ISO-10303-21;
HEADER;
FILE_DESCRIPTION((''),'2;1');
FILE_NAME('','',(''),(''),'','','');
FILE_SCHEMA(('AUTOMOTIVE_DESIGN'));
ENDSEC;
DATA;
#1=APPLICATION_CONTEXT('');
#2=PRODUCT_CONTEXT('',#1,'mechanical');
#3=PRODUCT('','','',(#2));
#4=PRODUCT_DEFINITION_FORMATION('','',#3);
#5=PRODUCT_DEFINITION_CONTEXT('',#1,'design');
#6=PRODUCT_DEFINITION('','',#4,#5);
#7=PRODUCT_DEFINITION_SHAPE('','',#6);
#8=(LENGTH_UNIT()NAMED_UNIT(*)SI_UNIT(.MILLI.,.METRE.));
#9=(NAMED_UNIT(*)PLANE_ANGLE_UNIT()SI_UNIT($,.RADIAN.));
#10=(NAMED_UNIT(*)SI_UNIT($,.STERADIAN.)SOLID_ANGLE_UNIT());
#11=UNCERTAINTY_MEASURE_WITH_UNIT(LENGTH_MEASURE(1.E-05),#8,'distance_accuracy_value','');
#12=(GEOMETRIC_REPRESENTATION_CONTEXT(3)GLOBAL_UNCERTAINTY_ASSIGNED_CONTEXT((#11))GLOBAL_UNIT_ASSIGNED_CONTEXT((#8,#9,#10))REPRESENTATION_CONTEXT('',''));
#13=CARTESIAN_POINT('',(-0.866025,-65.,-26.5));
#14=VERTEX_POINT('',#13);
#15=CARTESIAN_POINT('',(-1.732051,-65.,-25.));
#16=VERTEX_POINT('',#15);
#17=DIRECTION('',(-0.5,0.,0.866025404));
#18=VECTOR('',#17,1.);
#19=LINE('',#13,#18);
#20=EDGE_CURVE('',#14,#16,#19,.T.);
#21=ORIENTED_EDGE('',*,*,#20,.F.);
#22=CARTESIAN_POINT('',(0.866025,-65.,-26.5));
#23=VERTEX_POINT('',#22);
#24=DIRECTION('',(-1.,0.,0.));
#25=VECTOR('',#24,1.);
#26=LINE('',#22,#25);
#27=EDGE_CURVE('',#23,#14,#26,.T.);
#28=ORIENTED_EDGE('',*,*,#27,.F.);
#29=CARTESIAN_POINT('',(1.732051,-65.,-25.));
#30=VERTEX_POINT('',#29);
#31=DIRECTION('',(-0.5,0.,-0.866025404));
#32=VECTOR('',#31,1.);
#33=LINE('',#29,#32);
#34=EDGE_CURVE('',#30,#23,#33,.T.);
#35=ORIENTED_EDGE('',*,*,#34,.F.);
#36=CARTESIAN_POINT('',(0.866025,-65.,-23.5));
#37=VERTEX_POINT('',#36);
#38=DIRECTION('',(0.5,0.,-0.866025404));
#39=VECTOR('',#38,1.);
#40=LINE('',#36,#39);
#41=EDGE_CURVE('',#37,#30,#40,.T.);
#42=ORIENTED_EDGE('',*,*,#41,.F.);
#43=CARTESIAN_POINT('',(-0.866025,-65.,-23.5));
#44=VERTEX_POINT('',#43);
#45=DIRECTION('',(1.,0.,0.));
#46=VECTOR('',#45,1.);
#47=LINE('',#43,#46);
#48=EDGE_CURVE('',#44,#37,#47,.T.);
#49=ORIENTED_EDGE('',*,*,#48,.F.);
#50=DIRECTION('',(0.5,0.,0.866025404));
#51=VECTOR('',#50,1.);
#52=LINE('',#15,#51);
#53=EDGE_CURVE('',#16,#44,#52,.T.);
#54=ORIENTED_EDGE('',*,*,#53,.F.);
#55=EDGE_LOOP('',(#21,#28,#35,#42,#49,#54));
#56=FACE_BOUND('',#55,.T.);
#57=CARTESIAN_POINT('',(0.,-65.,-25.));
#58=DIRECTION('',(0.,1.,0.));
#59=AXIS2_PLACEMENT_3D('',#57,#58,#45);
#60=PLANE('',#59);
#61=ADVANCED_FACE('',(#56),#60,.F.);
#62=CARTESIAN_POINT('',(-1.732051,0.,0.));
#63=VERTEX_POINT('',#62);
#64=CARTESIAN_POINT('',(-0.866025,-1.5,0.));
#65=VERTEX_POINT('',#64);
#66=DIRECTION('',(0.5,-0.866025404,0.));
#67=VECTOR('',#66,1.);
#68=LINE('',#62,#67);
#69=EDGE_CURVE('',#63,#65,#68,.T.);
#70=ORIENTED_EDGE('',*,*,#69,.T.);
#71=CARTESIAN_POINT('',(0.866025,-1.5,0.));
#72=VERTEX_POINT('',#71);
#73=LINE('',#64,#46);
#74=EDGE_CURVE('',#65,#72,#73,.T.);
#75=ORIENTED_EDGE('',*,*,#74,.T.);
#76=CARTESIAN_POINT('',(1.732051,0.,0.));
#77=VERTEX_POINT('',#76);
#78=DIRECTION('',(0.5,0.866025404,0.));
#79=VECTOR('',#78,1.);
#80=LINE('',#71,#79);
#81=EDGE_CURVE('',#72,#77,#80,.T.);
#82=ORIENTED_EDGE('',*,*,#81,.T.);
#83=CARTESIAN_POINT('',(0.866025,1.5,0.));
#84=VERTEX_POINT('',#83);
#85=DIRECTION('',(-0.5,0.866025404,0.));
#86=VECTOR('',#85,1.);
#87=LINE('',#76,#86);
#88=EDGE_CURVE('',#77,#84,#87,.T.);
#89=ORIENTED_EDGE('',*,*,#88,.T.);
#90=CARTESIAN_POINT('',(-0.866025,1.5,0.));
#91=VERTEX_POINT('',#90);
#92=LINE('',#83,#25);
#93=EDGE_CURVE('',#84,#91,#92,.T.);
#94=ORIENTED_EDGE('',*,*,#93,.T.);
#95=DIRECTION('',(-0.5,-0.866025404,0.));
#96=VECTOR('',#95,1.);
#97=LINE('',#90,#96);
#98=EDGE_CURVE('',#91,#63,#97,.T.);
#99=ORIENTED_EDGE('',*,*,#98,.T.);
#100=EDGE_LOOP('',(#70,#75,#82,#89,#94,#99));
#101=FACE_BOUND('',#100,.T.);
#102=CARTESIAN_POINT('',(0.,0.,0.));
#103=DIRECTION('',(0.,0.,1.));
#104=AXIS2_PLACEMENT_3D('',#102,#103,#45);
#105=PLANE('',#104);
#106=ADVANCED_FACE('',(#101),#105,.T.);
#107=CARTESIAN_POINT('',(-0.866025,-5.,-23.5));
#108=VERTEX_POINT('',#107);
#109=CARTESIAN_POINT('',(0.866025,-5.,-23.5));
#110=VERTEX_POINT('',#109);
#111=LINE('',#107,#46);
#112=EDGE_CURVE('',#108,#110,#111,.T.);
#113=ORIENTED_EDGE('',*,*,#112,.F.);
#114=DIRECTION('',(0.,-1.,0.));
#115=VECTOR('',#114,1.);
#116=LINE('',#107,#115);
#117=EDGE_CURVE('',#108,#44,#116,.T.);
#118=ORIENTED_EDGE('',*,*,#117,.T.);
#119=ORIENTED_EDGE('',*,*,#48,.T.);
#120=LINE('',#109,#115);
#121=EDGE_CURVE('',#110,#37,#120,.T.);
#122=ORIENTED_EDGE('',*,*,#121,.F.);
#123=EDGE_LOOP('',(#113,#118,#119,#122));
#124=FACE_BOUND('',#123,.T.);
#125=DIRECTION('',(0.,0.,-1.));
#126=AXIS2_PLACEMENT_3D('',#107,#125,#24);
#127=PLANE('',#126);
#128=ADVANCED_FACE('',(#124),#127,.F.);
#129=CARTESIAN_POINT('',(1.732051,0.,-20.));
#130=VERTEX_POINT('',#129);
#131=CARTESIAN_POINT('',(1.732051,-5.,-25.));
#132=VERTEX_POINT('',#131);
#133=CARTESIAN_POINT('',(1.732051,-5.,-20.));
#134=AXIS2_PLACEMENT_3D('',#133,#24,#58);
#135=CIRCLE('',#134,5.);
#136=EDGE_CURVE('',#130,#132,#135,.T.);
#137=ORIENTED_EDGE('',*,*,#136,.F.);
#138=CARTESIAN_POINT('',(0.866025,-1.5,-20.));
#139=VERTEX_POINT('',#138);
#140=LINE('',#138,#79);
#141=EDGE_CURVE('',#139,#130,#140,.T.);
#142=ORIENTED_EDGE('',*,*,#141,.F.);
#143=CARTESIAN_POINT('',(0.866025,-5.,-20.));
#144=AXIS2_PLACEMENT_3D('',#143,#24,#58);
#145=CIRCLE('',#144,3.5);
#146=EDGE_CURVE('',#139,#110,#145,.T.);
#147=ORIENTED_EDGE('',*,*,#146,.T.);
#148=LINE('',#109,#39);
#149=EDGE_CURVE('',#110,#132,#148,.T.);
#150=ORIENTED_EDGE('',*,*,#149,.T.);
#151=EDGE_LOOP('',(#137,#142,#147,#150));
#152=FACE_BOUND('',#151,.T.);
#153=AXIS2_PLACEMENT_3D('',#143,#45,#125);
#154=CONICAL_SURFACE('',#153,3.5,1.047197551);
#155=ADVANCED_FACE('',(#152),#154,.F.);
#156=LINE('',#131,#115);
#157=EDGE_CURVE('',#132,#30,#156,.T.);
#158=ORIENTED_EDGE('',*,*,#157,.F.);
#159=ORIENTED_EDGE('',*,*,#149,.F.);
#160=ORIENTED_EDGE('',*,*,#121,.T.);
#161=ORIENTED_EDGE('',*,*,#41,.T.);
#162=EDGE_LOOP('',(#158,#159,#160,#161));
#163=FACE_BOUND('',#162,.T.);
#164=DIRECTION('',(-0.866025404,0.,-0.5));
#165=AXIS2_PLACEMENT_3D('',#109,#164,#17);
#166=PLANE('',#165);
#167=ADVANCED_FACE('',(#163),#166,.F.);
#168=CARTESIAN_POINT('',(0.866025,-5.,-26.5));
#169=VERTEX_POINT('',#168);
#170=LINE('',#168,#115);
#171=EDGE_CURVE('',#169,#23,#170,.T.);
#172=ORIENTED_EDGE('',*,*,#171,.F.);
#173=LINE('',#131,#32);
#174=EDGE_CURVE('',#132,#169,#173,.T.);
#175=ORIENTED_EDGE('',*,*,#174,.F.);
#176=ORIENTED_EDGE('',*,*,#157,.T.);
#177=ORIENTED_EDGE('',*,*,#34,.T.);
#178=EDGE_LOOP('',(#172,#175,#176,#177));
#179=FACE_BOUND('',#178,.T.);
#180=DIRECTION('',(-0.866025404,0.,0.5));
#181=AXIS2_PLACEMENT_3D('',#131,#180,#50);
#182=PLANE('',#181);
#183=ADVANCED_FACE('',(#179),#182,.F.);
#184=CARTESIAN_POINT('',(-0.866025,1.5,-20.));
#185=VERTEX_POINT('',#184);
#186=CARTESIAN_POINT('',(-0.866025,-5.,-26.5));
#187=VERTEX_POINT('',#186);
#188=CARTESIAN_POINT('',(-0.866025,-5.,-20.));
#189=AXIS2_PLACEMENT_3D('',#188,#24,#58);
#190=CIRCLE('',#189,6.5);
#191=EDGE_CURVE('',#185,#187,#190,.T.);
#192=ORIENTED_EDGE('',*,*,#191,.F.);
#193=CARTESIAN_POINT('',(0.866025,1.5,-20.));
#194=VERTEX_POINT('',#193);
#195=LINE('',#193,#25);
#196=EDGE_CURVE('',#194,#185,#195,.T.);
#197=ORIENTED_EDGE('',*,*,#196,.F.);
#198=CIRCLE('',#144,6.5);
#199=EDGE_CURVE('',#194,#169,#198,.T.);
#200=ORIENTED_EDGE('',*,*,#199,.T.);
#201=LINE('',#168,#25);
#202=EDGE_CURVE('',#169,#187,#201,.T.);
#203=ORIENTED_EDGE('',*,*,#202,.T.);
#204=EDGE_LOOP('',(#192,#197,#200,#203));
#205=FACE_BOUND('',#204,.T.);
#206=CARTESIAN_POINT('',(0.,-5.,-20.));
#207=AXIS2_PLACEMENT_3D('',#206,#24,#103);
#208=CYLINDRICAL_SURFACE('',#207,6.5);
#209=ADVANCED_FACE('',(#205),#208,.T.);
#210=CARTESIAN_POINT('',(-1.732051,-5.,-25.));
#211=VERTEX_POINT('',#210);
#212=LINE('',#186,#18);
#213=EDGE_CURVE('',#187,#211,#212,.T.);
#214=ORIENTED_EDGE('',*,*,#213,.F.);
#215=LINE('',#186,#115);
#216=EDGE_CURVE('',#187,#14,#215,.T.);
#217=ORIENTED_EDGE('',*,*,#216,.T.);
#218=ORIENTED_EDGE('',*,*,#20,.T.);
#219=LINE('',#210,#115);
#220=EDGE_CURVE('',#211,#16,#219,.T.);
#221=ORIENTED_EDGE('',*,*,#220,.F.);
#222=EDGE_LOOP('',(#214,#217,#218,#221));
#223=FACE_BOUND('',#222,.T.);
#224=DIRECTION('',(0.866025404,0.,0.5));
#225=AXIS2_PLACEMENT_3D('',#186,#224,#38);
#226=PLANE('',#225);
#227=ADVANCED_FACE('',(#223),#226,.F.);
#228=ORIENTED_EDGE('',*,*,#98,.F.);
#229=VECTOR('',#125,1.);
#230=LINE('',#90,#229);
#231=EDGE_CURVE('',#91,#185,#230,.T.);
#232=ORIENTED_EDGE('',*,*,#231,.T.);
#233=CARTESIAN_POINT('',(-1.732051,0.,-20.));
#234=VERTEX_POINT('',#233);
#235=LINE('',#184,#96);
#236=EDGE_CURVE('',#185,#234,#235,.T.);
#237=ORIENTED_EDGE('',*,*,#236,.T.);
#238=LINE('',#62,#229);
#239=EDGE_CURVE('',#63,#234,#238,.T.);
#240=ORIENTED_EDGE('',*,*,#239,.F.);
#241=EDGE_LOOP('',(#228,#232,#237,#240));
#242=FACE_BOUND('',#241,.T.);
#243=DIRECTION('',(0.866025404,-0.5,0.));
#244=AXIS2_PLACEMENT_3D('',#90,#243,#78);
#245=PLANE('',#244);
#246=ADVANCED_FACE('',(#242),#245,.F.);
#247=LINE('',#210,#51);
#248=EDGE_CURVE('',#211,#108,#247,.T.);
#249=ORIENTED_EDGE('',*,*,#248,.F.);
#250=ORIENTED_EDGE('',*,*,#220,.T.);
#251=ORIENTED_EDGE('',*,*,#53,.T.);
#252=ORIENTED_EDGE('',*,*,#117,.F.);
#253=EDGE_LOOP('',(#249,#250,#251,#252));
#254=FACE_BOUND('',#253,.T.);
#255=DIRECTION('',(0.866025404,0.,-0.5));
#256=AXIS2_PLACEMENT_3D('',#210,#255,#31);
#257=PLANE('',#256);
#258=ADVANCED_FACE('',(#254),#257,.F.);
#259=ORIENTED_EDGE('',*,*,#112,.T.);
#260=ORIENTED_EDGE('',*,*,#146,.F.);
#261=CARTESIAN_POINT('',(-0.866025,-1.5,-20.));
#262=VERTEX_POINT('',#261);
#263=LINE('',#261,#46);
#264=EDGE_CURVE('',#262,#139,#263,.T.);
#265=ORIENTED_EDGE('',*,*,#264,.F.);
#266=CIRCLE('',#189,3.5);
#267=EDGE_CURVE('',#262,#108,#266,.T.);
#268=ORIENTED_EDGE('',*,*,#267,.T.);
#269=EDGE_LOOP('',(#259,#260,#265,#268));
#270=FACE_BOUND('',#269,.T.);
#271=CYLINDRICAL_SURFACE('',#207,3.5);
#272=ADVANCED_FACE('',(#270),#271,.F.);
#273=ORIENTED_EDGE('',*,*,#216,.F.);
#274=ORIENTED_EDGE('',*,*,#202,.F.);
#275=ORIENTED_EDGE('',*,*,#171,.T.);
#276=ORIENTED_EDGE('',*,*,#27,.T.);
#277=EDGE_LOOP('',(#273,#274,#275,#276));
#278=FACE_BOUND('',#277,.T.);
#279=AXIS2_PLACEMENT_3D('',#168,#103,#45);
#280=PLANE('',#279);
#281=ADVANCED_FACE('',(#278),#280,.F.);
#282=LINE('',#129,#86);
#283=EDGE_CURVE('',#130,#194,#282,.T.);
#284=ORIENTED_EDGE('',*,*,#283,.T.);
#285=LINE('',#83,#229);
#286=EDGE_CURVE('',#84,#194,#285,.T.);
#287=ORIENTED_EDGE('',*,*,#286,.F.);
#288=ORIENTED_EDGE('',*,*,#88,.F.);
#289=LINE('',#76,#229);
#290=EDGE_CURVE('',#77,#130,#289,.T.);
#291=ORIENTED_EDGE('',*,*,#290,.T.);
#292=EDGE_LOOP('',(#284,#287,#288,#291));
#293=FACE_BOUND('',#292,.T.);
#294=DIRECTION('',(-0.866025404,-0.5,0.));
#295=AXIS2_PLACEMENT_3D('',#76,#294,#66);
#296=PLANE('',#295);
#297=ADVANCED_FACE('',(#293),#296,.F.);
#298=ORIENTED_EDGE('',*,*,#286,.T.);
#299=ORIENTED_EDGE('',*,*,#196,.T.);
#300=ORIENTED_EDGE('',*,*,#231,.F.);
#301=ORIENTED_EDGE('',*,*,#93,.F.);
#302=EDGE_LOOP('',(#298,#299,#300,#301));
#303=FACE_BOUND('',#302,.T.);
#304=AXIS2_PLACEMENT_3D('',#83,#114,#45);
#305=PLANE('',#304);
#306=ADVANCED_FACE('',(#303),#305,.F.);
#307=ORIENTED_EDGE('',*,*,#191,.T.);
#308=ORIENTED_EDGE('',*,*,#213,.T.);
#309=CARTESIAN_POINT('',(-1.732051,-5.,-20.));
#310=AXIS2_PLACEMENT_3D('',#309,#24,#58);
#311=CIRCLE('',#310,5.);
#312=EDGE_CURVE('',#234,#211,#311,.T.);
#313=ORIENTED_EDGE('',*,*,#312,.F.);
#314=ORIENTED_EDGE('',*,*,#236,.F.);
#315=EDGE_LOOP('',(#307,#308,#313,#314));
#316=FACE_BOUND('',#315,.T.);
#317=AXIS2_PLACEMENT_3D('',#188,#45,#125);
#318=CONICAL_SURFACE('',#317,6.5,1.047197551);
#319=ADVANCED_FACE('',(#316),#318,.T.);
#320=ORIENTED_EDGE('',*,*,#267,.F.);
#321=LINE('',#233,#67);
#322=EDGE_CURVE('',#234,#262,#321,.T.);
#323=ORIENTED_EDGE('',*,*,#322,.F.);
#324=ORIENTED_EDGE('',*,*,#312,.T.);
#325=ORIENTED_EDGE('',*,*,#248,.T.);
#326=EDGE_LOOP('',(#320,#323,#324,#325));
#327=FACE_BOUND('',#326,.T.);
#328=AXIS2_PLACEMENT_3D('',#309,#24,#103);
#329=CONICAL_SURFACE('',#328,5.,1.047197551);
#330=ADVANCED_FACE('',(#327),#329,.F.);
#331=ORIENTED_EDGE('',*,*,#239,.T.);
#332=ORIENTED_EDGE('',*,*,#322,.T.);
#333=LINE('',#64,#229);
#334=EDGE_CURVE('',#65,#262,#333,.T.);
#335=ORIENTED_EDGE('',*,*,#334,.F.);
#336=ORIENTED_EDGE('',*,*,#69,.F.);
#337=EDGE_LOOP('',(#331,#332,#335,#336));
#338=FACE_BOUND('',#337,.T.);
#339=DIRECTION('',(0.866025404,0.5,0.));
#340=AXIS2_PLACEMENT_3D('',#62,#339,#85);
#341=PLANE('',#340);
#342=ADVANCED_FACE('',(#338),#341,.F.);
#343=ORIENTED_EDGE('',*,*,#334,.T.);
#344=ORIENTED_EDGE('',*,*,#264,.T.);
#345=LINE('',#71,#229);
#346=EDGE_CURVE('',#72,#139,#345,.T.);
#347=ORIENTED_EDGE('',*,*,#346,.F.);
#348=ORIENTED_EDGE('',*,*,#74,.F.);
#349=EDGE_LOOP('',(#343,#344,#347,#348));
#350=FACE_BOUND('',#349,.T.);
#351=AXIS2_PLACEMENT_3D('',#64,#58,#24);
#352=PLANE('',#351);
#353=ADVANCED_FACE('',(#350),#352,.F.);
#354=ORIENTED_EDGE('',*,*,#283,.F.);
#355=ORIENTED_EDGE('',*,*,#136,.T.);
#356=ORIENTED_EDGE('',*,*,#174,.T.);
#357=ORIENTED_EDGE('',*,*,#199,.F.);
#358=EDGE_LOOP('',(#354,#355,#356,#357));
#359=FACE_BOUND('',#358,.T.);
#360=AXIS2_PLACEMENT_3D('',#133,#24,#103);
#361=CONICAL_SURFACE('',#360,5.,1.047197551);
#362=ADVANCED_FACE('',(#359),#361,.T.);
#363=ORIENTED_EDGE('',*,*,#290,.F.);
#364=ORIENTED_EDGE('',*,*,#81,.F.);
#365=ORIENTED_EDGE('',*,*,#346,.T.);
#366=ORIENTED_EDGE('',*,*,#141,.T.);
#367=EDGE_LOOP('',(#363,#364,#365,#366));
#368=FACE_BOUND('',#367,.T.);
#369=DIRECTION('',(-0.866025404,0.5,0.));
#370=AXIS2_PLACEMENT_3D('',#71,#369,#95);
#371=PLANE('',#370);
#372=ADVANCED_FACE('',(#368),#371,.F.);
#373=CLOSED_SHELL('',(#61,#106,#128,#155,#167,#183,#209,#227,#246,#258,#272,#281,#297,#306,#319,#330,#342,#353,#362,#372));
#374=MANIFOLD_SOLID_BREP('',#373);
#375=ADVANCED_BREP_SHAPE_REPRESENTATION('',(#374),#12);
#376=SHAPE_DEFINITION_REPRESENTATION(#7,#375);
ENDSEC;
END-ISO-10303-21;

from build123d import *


with BuildPart() as part:
    # Süpür1: sweep along a path in Çizim2
    with BuildLine(Plane(origin=(0, 0, 0), x_dir=(0, 0, -1), z_dir=(1, 0, 0))) as s_p_r1_path:
        Line((0, 0), (20, 0))
        ThreePointArc((20, 0), (23.535533906, -1.464466094), (25, -5))
        Line((25, -5), (25, -65))
    # Çizim1 → Süpür1 (sweep)
    with BuildSketch(Plane.XY):
        Polygon((1.732050808, 0), (0.866025404, 1.5), (-0.866025404, 1.5), (-1.732050808, 0), (-0.866025404, -1.5), (0.866025404, -1.5), align=None)
    sweep(path=s_p_r1_path.line)


solid = part.part
